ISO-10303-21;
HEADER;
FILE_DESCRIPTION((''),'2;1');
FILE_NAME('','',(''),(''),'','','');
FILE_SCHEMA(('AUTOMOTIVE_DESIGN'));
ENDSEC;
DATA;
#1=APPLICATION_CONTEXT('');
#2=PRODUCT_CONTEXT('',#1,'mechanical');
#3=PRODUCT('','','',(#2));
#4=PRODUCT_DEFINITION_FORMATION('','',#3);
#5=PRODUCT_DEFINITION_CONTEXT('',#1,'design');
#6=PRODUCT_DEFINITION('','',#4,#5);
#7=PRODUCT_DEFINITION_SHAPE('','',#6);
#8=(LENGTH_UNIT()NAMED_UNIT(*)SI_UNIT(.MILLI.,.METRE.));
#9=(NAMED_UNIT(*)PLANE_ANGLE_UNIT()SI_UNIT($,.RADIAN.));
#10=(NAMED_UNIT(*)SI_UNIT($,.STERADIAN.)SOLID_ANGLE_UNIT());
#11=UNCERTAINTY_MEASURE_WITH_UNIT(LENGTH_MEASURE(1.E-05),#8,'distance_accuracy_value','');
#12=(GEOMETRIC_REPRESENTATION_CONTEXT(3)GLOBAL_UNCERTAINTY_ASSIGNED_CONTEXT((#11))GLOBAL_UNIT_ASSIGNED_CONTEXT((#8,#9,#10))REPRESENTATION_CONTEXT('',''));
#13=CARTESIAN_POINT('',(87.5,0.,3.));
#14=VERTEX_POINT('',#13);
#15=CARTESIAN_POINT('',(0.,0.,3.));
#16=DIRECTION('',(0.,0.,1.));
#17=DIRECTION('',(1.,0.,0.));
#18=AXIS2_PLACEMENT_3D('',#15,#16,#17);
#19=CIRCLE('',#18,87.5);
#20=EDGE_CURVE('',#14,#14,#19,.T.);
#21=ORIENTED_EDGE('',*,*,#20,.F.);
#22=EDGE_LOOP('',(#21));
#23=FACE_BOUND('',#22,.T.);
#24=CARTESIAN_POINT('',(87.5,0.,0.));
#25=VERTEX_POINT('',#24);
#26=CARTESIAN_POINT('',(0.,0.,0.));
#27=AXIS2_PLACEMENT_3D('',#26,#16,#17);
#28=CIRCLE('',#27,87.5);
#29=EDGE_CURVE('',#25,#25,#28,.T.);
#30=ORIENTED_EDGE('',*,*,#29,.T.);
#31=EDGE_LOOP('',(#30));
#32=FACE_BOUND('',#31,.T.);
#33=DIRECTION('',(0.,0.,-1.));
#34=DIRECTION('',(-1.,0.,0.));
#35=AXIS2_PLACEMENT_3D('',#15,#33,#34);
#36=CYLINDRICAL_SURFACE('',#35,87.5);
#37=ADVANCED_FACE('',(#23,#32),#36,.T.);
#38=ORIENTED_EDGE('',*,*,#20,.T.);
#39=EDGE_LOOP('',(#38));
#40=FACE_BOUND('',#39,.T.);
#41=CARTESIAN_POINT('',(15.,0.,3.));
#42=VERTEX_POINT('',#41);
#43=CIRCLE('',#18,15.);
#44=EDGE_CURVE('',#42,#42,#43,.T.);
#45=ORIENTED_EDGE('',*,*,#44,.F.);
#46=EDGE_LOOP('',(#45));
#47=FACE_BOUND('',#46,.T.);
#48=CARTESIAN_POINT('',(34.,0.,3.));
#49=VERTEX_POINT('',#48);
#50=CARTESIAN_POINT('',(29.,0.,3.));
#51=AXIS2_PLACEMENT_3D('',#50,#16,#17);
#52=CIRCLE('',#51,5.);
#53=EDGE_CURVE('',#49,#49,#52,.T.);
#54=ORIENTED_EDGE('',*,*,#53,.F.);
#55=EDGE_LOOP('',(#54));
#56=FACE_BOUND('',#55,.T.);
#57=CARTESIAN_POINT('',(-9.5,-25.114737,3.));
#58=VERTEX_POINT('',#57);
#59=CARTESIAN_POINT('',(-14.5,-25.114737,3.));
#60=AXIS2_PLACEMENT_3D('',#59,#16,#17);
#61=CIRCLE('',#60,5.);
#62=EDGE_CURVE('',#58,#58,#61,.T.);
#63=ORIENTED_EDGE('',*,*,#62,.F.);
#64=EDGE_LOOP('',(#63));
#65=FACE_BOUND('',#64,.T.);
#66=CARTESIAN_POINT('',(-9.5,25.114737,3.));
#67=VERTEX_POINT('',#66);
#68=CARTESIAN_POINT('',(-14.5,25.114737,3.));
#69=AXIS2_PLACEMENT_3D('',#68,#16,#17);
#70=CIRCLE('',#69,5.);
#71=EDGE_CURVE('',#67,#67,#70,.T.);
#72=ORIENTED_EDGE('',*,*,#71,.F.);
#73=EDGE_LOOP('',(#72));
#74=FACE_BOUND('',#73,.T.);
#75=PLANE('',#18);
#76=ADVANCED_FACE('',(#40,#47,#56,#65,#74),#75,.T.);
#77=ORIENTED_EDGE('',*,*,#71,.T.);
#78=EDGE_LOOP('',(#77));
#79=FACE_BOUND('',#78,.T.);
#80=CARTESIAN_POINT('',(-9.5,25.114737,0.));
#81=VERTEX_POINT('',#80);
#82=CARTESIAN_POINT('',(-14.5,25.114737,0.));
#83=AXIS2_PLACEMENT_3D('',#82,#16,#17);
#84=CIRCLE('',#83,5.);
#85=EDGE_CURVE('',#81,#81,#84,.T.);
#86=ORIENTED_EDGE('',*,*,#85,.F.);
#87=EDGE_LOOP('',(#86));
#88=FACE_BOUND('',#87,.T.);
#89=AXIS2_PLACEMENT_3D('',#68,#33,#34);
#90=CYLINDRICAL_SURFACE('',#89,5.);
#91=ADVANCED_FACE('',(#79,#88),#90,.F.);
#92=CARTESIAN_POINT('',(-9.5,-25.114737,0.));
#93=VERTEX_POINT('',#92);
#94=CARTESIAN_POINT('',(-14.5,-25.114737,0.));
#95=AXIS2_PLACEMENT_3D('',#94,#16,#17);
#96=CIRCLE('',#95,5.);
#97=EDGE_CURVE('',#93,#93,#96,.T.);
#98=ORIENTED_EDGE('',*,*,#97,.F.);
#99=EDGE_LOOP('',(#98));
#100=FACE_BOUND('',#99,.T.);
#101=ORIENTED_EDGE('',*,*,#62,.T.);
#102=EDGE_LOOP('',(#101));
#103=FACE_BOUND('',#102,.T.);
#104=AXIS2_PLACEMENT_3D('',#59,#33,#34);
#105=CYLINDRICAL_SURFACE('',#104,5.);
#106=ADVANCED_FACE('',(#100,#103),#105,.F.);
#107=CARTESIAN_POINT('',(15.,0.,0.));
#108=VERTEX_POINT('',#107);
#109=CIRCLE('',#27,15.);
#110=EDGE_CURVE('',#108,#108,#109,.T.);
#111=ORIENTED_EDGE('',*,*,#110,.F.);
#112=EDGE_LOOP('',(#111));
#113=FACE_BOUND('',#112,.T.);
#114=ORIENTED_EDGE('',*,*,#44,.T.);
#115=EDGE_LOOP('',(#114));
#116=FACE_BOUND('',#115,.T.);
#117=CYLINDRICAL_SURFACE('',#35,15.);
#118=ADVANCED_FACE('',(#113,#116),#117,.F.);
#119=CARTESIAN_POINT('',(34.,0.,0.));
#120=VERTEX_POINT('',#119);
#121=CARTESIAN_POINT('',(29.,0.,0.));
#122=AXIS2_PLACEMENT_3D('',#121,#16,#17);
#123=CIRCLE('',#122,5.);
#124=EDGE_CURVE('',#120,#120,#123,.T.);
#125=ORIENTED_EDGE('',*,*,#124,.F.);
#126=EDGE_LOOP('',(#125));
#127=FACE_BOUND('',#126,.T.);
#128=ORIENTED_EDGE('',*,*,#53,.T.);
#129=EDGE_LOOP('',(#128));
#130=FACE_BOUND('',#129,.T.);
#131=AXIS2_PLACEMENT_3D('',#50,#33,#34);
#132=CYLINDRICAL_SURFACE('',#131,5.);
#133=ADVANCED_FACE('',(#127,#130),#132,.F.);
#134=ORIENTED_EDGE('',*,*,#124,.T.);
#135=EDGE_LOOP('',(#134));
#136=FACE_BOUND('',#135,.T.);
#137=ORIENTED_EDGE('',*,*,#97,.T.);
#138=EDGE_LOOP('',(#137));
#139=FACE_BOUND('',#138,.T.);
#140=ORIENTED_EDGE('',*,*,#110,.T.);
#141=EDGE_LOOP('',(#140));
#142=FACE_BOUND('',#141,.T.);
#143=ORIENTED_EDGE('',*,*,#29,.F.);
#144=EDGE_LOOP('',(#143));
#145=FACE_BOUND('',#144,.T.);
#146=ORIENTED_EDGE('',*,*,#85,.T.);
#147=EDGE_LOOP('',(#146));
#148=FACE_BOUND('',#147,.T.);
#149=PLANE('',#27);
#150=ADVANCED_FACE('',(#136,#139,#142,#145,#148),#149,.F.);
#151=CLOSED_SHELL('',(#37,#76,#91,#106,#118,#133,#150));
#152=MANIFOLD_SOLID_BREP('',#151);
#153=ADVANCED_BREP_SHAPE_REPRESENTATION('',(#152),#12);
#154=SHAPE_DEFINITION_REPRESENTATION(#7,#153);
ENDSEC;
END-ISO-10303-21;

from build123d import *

# Parameters (mm, degrees)
SKETCH1_R           = 87.5
SKETCH1_R_2         = 5
SKETCH1_R_3         = 15
BOSS_EXTRUDE1_DEPTH = 3


with BuildPart() as part:
    # Sketch1 → Boss-Extrude1 (new body)
    with BuildSketch(Plane.XY):
        Circle(SKETCH1_R)
        with Locations((29, 0)):
            Circle(SKETCH1_R_2, mode=Mode.SUBTRACT)
        with Locations((-14.5, -25.11473671)):
            Circle(SKETCH1_R_2, mode=Mode.SUBTRACT)
        with Locations((-14.5, 25.11473671)):
            Circle(SKETCH1_R_2, mode=Mode.SUBTRACT)
        Circle(SKETCH1_R_3, mode=Mode.SUBTRACT)
    extrude(amount=BOSS_EXTRUDE1_DEPTH)


solid = part.part
